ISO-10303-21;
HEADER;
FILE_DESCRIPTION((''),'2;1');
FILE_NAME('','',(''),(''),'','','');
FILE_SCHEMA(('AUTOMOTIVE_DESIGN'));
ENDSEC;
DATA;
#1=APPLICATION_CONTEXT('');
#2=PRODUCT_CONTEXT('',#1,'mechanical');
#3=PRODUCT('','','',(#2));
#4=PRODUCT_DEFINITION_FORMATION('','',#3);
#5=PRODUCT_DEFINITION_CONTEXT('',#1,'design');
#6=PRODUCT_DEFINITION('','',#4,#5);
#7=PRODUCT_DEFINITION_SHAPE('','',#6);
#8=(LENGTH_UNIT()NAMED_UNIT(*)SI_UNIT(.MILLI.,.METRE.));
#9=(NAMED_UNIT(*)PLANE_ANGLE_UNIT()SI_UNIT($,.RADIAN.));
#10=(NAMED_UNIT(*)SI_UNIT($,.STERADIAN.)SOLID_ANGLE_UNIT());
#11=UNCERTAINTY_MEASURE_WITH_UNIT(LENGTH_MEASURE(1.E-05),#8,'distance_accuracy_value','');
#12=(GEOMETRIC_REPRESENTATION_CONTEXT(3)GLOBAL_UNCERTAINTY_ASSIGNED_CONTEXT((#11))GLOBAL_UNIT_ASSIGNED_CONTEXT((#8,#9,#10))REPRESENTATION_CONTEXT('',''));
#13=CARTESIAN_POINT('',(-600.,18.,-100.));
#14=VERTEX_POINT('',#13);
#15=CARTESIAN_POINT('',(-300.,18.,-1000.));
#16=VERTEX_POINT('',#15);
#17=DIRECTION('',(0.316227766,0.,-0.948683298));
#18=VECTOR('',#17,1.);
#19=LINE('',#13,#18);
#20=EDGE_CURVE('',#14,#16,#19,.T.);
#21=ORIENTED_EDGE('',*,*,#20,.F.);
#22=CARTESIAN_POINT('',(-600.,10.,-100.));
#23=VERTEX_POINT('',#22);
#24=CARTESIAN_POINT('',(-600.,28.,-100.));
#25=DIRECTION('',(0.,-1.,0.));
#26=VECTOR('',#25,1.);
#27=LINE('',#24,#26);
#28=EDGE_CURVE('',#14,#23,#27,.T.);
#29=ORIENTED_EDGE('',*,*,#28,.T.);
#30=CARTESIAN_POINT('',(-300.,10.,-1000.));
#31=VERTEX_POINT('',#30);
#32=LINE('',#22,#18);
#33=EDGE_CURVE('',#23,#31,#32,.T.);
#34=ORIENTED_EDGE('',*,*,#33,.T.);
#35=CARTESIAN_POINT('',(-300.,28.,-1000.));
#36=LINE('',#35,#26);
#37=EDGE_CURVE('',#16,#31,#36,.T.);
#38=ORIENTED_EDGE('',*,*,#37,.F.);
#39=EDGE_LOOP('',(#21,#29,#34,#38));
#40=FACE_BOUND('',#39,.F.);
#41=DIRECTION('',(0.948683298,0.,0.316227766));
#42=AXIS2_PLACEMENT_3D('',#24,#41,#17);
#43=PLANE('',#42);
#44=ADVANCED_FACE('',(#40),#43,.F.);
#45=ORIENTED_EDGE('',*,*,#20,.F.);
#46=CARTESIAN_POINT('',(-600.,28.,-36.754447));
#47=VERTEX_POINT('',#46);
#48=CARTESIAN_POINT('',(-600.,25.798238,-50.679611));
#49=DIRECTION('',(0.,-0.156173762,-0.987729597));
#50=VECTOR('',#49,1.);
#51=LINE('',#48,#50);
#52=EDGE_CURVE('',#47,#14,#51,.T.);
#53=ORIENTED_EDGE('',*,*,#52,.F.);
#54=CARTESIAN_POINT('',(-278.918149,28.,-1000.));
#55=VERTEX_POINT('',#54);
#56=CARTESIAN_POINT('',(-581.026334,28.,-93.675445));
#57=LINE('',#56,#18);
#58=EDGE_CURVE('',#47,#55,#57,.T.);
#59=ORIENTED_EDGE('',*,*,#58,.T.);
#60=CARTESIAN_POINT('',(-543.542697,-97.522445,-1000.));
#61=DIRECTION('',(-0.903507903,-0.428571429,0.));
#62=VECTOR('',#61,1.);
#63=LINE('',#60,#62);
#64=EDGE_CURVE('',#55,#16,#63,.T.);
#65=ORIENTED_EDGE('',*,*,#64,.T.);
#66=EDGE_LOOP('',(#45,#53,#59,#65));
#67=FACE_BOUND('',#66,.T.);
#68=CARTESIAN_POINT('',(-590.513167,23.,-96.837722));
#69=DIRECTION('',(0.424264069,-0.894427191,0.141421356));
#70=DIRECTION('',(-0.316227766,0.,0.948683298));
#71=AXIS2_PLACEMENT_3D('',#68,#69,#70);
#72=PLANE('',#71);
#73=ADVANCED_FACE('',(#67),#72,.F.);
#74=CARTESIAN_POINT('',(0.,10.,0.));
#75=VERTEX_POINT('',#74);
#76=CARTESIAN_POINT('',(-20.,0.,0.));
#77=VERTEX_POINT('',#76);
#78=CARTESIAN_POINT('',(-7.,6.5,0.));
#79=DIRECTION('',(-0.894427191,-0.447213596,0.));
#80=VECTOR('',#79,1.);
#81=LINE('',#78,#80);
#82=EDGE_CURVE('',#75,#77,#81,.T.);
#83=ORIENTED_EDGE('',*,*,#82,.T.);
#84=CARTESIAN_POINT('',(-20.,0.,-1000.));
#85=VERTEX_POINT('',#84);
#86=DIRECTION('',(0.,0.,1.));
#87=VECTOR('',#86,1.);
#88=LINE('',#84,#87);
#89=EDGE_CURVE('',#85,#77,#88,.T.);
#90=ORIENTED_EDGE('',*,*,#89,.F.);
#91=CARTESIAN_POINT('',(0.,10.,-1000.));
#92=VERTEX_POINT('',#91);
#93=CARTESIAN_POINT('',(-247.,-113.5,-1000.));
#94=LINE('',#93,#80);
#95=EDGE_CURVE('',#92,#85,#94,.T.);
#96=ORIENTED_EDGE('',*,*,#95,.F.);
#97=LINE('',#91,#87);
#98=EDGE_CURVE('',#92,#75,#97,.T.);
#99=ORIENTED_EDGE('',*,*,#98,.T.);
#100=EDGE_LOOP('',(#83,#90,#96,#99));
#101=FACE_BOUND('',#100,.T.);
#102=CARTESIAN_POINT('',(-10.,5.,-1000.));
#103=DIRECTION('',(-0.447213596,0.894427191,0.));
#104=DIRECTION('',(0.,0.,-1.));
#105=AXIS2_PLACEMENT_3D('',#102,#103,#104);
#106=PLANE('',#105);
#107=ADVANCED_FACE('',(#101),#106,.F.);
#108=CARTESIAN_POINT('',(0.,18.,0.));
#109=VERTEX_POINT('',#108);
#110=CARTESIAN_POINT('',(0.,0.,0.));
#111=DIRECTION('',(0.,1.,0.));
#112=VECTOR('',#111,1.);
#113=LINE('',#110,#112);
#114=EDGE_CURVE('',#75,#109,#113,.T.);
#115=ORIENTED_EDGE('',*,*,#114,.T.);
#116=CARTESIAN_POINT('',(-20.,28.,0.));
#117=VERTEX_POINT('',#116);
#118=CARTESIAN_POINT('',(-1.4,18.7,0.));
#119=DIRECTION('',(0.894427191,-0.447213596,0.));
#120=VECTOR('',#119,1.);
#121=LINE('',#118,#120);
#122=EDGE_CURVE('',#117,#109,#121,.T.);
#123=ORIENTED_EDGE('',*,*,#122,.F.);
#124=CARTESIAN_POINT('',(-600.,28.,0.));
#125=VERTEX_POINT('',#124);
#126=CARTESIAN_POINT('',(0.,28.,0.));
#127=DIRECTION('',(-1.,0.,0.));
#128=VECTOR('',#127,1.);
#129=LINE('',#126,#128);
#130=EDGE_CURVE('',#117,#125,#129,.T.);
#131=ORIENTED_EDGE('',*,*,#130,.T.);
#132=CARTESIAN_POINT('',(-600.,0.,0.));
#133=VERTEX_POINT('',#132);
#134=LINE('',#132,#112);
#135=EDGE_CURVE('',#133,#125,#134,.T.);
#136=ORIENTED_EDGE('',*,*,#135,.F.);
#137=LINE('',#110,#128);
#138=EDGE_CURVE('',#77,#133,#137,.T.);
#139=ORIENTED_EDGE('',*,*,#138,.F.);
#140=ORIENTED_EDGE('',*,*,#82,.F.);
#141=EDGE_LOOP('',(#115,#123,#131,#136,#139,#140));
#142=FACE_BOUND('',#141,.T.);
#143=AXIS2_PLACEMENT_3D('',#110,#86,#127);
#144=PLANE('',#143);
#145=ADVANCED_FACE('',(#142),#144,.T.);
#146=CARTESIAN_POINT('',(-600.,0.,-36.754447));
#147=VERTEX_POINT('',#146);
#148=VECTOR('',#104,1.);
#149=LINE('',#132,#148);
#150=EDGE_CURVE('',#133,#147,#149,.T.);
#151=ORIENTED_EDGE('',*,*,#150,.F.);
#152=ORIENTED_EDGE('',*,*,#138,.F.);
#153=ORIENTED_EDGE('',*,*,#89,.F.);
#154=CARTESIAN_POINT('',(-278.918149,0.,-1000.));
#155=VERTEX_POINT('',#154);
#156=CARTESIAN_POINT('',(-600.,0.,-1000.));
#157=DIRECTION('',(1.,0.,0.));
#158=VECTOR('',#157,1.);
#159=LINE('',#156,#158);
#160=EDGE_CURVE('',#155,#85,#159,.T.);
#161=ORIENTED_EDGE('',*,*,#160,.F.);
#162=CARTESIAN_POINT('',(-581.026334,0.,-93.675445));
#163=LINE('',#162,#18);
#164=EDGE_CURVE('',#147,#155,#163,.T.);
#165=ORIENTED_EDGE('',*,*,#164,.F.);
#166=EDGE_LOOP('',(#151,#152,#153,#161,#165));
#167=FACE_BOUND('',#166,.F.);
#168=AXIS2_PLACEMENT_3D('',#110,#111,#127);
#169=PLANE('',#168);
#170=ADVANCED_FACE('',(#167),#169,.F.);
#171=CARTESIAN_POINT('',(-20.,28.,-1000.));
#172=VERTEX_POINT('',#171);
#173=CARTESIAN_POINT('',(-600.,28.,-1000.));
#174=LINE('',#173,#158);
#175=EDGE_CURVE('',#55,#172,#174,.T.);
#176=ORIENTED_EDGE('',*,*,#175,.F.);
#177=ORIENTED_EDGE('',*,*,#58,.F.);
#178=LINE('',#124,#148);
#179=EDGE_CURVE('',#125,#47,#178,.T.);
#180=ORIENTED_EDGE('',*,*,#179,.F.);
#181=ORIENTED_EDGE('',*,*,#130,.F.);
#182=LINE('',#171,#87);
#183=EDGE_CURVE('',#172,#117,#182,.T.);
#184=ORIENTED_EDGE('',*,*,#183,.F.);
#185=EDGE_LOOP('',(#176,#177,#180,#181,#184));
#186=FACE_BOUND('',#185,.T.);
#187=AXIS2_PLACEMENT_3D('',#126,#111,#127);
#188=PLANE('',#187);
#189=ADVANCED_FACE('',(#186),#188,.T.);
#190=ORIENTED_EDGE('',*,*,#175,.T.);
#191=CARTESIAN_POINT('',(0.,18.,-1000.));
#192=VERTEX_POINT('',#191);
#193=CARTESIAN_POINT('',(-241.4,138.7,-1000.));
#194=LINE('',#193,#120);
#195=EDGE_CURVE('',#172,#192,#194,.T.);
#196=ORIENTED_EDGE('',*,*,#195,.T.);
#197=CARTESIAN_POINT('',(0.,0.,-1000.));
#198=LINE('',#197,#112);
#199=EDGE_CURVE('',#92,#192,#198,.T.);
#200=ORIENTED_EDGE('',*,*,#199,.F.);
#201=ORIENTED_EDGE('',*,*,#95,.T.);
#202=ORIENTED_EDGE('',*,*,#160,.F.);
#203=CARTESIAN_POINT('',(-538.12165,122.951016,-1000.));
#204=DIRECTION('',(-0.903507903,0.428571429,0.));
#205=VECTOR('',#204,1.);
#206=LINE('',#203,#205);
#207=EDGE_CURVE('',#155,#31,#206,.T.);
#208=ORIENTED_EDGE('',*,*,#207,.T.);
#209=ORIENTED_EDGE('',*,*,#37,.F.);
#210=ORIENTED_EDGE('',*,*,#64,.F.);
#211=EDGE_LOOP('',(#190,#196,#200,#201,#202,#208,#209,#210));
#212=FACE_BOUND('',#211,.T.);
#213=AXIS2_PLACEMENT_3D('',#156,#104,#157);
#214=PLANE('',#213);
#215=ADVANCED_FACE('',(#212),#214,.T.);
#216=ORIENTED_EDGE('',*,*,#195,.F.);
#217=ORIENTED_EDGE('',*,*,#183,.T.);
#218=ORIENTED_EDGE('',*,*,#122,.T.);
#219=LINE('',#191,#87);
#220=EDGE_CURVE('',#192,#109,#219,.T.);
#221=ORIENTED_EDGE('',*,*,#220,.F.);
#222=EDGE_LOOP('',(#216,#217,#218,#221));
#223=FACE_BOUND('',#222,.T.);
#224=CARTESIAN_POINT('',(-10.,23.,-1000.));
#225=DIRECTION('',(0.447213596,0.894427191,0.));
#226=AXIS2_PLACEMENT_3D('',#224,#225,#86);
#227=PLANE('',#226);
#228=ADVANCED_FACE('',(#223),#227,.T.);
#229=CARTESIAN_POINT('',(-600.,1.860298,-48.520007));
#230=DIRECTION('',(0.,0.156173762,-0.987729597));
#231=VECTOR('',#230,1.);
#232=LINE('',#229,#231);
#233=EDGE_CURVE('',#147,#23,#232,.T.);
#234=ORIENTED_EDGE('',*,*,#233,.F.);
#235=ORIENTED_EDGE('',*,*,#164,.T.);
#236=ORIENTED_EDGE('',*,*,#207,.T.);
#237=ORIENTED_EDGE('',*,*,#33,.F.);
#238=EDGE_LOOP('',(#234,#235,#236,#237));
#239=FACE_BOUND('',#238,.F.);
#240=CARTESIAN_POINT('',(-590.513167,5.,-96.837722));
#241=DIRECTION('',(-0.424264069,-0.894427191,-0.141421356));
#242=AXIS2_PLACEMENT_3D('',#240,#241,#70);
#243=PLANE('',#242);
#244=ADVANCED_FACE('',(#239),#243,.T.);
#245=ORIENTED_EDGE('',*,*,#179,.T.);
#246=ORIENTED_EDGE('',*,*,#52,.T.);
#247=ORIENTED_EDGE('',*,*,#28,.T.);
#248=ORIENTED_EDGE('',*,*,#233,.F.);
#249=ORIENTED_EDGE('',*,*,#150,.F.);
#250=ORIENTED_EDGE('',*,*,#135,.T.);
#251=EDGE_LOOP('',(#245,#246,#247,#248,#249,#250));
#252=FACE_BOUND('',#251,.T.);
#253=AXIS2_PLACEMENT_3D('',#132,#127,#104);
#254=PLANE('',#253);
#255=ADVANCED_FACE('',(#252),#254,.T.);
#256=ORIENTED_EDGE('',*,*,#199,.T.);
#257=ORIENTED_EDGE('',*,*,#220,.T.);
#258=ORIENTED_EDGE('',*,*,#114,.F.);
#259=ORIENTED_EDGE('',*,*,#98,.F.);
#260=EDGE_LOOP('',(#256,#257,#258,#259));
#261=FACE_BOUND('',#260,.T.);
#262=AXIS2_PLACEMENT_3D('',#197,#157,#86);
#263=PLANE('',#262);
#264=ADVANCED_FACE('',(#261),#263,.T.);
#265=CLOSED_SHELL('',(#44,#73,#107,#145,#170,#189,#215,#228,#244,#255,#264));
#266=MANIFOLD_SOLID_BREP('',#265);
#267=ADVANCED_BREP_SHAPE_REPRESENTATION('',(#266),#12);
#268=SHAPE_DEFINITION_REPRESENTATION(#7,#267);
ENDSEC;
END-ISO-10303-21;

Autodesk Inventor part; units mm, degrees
ref_plane "YZ Plane" through (0, 0, 0) normal (1, 0, 0) x (0, 1, 0)
ref_plane "XZ Plane" through (0, 0, 0) normal (0, 1, 0) x (-1, 0, 0)
sketch "Sketch1" plane through (0, 0, 0) normal (0, 1, 0) x (-1, 0, 0)
  line L0 (0, 0) -> (600, 0)
  line L1 (600, 0) -> (600, -1000)
  line L2 (600, -1000) -> (0, -1000)
  line L3 (0, -1000) -> (0, 0)
  dimension "d0" = 1000
  dimension "d1" = 600
extrude "Extrusion1" add sketch "Sketch1" along normal blind 28
sketch "Sketch2" plane through (0, 28, 0) normal (0, 1, 0) x (1, 0, 0)
  line L0 (-600, 1000) -> (-600, 0) projected
  line L1 (0, 1000) -> (-600, 1000) projected
  line L2 (0, 1000) -> (-600, 1000) projected
  line L3 (-600, 1000) -> (-600, 0) projected
  line L4 (-600, 0) -> (0, 0) projected
  line L5 (0, 0) -> (0, 1000) projected
  line L6 (-600, 100) -> (-300, 1000)
  dimension "d7" = 300
  dimension "d8" = 100
extrude "Extrusion2" cut sketch "Sketch2" against normal blind 200 contours L1 L6 L0
ref_plane "Work Plane1" through (0, 14, 0) normal (0, 1, 0) x (1, 0, 0)
sketch "Sketch3" plane through (0, 28, 0) normal (0, 1, 0) x (1, 0, 0)
  circle A0 centre (-305, 20) radius 8
  line L0 (0, 0) -> (0, 1000) projected
  line L1 (-600, 0) -> (0, 0) projected
  circle A1 centre (-395, 20) radius 8
  circle A2 centre (-350, 75) radius 8
  circle A3 centre (-350, 160) radius 8
  dimension "d9" = 16
  dimension "d10" = 305
  dimension "d11" = 20
  dimension "d12" = 16
  dimension "d13" = 395
  dimension "d14" = 20
  dimension "d15" = 16
  dimension "d16" = 350
  dimension "d17" = 75
  dimension "d18" = 16
  dimension "d19" = 350
  dimension "d20" = 160
extrude "Extrusion3" [suppressed]
chamfer "Chamfer1" distance 20 distance2 10 1 edges at (0, 28, -500) measured on face at (-300, 28, -366.6667)
chamfer "Chamfer2" distance 10 distance2 20 1 edges at (0, 0, -500) measured on face at (0, 6, -333.3333)
chamfer "Chamfer3" distance 20 distance2 10 1 edges at (-450, 28, -550) measured on face at (-306.6667, 28, -366.6667)
chamfer "Chamfer4" distance 20 distance2 10 1 edges at (-450, 0, -550) measured on face at (-306.6667, 0, -366.6667)
properties part number "Foam_wing"
